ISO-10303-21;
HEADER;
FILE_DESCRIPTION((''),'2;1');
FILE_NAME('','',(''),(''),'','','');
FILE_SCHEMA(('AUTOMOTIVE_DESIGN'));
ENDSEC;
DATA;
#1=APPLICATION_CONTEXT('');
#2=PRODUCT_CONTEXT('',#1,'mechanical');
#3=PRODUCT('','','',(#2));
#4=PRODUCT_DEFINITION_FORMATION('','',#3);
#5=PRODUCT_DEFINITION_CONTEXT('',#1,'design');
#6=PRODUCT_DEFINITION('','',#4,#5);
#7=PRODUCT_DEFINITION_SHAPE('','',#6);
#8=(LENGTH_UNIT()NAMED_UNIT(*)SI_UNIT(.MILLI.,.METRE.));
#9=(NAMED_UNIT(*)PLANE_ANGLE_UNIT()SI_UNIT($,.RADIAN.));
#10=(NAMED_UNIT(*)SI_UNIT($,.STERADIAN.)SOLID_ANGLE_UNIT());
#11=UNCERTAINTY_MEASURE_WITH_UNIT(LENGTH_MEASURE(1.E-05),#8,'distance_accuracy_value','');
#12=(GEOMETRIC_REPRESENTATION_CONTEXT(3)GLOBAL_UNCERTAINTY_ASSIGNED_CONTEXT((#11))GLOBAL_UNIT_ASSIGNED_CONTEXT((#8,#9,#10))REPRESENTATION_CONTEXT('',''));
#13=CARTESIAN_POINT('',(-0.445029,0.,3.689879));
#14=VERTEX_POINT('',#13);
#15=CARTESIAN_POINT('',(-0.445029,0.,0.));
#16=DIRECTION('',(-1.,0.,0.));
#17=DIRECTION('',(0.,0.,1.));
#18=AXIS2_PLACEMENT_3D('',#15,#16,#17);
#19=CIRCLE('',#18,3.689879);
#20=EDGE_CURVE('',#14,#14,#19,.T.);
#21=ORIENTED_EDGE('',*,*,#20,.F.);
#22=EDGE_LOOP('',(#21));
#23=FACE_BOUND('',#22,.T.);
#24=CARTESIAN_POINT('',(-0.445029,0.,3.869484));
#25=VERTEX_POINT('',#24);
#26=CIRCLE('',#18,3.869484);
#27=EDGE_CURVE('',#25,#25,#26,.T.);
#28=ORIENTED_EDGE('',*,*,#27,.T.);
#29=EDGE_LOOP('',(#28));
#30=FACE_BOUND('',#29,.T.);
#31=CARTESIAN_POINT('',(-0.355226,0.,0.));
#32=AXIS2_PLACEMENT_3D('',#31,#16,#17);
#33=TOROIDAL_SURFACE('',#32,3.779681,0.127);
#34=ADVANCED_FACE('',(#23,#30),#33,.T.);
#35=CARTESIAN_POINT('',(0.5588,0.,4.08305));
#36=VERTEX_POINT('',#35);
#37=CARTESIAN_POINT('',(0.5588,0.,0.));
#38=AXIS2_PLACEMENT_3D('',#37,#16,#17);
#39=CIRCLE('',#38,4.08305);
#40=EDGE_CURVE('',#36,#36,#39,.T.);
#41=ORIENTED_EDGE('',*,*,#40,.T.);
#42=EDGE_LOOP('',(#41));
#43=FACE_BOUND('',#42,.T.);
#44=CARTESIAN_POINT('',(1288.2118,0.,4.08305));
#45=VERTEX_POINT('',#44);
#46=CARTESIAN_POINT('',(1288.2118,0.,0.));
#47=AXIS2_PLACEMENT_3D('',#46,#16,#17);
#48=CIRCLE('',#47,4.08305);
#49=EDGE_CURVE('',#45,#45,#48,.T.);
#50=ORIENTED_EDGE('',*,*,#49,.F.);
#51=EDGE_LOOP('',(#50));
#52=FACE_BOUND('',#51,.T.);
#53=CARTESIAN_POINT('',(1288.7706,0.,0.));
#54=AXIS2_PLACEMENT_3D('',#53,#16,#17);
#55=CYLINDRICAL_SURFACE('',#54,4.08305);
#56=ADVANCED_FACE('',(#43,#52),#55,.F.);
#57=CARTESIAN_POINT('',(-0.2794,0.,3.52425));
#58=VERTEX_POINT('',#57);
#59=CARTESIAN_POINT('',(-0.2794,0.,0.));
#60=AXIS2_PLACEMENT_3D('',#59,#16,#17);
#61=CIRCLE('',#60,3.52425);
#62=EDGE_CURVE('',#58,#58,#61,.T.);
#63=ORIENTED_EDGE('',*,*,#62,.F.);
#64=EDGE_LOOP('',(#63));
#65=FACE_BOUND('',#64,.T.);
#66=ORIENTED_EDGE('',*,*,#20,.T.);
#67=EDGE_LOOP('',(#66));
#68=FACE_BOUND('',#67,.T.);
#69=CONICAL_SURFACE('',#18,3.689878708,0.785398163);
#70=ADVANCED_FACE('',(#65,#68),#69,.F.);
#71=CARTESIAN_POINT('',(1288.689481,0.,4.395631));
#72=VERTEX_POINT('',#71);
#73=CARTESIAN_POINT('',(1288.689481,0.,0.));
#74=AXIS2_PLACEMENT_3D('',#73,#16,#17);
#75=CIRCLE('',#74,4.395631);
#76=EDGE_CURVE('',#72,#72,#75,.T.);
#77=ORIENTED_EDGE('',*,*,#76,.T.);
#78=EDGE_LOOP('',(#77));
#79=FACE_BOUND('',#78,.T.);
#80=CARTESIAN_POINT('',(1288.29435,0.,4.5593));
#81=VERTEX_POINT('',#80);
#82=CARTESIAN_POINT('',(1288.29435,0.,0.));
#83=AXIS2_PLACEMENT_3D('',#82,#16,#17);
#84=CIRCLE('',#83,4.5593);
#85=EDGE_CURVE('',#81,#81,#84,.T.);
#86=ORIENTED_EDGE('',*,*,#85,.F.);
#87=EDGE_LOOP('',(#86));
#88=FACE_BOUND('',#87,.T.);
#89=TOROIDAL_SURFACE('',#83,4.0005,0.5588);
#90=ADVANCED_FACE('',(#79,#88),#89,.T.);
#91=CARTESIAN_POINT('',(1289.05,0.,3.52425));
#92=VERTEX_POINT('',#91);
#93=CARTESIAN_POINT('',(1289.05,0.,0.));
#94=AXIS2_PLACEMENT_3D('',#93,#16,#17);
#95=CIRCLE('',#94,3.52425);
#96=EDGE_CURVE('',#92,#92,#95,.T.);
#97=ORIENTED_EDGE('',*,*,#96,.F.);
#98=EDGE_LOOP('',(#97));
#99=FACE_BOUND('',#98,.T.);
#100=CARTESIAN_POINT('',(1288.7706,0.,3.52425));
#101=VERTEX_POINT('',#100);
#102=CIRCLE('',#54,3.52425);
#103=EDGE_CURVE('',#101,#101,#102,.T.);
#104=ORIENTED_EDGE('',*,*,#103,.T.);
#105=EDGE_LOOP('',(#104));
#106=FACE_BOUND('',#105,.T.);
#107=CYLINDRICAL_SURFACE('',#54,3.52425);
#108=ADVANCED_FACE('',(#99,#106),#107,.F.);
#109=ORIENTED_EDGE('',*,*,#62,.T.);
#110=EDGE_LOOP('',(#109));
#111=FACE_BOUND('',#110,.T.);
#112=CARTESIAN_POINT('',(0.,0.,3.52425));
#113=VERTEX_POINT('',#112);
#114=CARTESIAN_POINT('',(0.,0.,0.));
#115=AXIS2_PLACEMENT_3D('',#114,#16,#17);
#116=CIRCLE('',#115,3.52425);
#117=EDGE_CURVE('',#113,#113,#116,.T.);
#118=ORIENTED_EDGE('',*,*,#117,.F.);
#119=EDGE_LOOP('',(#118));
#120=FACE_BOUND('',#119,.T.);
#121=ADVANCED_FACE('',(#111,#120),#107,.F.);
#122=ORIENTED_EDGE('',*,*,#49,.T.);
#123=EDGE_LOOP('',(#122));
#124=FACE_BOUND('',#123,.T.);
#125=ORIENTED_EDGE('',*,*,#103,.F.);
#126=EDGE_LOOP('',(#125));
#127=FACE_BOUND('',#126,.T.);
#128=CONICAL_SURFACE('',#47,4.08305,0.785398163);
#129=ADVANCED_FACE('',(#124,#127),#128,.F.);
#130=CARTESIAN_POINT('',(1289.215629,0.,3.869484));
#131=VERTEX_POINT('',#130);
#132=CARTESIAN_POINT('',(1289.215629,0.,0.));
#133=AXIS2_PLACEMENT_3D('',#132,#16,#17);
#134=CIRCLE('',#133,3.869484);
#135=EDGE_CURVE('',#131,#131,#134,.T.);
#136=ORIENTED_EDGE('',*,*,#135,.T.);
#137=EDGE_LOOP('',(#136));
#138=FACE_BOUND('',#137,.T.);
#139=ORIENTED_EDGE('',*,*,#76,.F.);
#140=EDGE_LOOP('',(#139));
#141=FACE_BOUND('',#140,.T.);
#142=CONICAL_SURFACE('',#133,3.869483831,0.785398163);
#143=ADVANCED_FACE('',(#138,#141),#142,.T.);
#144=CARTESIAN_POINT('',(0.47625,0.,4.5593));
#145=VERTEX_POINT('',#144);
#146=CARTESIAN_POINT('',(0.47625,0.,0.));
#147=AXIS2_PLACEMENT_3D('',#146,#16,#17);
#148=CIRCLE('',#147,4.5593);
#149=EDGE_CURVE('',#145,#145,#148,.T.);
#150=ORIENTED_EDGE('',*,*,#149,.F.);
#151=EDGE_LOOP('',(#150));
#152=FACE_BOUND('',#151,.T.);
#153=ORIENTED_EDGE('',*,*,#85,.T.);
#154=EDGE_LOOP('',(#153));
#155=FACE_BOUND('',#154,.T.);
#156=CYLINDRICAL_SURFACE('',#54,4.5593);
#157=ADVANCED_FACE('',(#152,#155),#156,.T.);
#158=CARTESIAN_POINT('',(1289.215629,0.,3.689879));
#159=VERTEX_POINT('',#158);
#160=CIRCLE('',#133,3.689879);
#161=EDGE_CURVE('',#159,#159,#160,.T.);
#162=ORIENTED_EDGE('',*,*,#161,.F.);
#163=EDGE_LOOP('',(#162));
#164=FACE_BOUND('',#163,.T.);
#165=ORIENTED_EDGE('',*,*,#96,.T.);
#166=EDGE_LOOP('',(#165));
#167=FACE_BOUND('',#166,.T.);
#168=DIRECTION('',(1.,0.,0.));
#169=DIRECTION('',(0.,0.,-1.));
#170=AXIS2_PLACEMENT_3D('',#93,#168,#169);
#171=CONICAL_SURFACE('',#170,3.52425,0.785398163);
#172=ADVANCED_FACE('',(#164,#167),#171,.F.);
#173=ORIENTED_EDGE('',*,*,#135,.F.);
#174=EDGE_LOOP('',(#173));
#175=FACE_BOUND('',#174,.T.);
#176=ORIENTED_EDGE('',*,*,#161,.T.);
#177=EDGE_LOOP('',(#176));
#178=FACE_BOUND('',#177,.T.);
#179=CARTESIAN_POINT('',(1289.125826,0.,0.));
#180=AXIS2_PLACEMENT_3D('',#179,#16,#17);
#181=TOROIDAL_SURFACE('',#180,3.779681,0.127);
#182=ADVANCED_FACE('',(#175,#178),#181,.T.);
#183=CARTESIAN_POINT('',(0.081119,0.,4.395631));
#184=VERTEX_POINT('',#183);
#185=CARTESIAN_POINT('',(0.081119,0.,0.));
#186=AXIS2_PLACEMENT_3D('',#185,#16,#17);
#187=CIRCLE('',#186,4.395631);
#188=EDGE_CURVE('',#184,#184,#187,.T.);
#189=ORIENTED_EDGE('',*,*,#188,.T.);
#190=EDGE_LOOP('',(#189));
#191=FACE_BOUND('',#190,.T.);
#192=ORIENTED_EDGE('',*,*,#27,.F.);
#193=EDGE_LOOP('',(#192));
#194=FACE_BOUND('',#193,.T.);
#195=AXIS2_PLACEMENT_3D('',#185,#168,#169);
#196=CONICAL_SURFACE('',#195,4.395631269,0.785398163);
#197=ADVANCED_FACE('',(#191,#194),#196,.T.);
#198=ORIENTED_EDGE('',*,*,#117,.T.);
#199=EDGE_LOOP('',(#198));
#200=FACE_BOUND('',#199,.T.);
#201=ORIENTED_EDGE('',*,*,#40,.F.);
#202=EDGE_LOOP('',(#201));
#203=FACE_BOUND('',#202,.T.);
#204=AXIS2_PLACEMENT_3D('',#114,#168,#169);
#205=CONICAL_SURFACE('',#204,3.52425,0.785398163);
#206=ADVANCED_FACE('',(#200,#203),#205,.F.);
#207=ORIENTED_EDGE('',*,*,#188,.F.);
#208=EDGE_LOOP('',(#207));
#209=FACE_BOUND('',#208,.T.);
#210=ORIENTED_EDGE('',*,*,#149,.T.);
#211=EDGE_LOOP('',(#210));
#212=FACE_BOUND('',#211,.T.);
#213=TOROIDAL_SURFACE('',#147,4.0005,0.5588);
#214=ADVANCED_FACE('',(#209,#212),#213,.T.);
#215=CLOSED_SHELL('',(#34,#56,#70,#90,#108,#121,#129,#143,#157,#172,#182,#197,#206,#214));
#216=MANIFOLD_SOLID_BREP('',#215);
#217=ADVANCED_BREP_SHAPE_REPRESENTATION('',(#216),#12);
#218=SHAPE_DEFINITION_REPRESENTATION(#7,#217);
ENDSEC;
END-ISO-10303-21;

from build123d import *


with BuildPart() as part:
    # Sketch1 → Revolve1 (revolve)
    with BuildSketch(Plane.XY):
        with BuildLine():
            Line((-0.445028708, 3.689878708), (-0.2794, 3.52425))
            Line((-0.2794, 3.52425), (0, 3.52425))
            Line((0, 3.52425), (0.5588, 4.08305))
            Line((0.5588, 4.08305), (1288.2118, 4.08305))
            Line((1288.2118, 4.08305), (1288.7706, 3.52425))
            Line((1288.7706, 3.52425), (1289.05, 3.52425))
            Line((1289.05, 3.52425), (1289.215628708, 3.689878708))
            ThreePointArc((1289.215628708, 3.689878708), (1289.252826147, 3.779681269), (1289.215628708, 3.869483831))
            Line((1289.215628708, 3.869483831), (1288.689481269, 4.395631269))
            ThreePointArc((1288.689481269, 4.395631269), (1288.508193502, 4.516763883), (1288.29435, 4.5593))
            Line((1288.29435, 4.5593), (0.47625, 4.5593))
            ThreePointArc((0.47625, 4.5593), (0.262406498, 4.516763883), (0.081118731, 4.395631269))
            Line((0.081118731, 4.395631269), (-0.445028708, 3.869483831))
            ThreePointArc((-0.445028708, 3.869483831), (-0.482226147, 3.779681269), (-0.445028708, 3.689878708))
        make_face()
    revolve(axis=Axis((1288.7706, 0, 0), (-1, 0, 0)))


solid = part.part
